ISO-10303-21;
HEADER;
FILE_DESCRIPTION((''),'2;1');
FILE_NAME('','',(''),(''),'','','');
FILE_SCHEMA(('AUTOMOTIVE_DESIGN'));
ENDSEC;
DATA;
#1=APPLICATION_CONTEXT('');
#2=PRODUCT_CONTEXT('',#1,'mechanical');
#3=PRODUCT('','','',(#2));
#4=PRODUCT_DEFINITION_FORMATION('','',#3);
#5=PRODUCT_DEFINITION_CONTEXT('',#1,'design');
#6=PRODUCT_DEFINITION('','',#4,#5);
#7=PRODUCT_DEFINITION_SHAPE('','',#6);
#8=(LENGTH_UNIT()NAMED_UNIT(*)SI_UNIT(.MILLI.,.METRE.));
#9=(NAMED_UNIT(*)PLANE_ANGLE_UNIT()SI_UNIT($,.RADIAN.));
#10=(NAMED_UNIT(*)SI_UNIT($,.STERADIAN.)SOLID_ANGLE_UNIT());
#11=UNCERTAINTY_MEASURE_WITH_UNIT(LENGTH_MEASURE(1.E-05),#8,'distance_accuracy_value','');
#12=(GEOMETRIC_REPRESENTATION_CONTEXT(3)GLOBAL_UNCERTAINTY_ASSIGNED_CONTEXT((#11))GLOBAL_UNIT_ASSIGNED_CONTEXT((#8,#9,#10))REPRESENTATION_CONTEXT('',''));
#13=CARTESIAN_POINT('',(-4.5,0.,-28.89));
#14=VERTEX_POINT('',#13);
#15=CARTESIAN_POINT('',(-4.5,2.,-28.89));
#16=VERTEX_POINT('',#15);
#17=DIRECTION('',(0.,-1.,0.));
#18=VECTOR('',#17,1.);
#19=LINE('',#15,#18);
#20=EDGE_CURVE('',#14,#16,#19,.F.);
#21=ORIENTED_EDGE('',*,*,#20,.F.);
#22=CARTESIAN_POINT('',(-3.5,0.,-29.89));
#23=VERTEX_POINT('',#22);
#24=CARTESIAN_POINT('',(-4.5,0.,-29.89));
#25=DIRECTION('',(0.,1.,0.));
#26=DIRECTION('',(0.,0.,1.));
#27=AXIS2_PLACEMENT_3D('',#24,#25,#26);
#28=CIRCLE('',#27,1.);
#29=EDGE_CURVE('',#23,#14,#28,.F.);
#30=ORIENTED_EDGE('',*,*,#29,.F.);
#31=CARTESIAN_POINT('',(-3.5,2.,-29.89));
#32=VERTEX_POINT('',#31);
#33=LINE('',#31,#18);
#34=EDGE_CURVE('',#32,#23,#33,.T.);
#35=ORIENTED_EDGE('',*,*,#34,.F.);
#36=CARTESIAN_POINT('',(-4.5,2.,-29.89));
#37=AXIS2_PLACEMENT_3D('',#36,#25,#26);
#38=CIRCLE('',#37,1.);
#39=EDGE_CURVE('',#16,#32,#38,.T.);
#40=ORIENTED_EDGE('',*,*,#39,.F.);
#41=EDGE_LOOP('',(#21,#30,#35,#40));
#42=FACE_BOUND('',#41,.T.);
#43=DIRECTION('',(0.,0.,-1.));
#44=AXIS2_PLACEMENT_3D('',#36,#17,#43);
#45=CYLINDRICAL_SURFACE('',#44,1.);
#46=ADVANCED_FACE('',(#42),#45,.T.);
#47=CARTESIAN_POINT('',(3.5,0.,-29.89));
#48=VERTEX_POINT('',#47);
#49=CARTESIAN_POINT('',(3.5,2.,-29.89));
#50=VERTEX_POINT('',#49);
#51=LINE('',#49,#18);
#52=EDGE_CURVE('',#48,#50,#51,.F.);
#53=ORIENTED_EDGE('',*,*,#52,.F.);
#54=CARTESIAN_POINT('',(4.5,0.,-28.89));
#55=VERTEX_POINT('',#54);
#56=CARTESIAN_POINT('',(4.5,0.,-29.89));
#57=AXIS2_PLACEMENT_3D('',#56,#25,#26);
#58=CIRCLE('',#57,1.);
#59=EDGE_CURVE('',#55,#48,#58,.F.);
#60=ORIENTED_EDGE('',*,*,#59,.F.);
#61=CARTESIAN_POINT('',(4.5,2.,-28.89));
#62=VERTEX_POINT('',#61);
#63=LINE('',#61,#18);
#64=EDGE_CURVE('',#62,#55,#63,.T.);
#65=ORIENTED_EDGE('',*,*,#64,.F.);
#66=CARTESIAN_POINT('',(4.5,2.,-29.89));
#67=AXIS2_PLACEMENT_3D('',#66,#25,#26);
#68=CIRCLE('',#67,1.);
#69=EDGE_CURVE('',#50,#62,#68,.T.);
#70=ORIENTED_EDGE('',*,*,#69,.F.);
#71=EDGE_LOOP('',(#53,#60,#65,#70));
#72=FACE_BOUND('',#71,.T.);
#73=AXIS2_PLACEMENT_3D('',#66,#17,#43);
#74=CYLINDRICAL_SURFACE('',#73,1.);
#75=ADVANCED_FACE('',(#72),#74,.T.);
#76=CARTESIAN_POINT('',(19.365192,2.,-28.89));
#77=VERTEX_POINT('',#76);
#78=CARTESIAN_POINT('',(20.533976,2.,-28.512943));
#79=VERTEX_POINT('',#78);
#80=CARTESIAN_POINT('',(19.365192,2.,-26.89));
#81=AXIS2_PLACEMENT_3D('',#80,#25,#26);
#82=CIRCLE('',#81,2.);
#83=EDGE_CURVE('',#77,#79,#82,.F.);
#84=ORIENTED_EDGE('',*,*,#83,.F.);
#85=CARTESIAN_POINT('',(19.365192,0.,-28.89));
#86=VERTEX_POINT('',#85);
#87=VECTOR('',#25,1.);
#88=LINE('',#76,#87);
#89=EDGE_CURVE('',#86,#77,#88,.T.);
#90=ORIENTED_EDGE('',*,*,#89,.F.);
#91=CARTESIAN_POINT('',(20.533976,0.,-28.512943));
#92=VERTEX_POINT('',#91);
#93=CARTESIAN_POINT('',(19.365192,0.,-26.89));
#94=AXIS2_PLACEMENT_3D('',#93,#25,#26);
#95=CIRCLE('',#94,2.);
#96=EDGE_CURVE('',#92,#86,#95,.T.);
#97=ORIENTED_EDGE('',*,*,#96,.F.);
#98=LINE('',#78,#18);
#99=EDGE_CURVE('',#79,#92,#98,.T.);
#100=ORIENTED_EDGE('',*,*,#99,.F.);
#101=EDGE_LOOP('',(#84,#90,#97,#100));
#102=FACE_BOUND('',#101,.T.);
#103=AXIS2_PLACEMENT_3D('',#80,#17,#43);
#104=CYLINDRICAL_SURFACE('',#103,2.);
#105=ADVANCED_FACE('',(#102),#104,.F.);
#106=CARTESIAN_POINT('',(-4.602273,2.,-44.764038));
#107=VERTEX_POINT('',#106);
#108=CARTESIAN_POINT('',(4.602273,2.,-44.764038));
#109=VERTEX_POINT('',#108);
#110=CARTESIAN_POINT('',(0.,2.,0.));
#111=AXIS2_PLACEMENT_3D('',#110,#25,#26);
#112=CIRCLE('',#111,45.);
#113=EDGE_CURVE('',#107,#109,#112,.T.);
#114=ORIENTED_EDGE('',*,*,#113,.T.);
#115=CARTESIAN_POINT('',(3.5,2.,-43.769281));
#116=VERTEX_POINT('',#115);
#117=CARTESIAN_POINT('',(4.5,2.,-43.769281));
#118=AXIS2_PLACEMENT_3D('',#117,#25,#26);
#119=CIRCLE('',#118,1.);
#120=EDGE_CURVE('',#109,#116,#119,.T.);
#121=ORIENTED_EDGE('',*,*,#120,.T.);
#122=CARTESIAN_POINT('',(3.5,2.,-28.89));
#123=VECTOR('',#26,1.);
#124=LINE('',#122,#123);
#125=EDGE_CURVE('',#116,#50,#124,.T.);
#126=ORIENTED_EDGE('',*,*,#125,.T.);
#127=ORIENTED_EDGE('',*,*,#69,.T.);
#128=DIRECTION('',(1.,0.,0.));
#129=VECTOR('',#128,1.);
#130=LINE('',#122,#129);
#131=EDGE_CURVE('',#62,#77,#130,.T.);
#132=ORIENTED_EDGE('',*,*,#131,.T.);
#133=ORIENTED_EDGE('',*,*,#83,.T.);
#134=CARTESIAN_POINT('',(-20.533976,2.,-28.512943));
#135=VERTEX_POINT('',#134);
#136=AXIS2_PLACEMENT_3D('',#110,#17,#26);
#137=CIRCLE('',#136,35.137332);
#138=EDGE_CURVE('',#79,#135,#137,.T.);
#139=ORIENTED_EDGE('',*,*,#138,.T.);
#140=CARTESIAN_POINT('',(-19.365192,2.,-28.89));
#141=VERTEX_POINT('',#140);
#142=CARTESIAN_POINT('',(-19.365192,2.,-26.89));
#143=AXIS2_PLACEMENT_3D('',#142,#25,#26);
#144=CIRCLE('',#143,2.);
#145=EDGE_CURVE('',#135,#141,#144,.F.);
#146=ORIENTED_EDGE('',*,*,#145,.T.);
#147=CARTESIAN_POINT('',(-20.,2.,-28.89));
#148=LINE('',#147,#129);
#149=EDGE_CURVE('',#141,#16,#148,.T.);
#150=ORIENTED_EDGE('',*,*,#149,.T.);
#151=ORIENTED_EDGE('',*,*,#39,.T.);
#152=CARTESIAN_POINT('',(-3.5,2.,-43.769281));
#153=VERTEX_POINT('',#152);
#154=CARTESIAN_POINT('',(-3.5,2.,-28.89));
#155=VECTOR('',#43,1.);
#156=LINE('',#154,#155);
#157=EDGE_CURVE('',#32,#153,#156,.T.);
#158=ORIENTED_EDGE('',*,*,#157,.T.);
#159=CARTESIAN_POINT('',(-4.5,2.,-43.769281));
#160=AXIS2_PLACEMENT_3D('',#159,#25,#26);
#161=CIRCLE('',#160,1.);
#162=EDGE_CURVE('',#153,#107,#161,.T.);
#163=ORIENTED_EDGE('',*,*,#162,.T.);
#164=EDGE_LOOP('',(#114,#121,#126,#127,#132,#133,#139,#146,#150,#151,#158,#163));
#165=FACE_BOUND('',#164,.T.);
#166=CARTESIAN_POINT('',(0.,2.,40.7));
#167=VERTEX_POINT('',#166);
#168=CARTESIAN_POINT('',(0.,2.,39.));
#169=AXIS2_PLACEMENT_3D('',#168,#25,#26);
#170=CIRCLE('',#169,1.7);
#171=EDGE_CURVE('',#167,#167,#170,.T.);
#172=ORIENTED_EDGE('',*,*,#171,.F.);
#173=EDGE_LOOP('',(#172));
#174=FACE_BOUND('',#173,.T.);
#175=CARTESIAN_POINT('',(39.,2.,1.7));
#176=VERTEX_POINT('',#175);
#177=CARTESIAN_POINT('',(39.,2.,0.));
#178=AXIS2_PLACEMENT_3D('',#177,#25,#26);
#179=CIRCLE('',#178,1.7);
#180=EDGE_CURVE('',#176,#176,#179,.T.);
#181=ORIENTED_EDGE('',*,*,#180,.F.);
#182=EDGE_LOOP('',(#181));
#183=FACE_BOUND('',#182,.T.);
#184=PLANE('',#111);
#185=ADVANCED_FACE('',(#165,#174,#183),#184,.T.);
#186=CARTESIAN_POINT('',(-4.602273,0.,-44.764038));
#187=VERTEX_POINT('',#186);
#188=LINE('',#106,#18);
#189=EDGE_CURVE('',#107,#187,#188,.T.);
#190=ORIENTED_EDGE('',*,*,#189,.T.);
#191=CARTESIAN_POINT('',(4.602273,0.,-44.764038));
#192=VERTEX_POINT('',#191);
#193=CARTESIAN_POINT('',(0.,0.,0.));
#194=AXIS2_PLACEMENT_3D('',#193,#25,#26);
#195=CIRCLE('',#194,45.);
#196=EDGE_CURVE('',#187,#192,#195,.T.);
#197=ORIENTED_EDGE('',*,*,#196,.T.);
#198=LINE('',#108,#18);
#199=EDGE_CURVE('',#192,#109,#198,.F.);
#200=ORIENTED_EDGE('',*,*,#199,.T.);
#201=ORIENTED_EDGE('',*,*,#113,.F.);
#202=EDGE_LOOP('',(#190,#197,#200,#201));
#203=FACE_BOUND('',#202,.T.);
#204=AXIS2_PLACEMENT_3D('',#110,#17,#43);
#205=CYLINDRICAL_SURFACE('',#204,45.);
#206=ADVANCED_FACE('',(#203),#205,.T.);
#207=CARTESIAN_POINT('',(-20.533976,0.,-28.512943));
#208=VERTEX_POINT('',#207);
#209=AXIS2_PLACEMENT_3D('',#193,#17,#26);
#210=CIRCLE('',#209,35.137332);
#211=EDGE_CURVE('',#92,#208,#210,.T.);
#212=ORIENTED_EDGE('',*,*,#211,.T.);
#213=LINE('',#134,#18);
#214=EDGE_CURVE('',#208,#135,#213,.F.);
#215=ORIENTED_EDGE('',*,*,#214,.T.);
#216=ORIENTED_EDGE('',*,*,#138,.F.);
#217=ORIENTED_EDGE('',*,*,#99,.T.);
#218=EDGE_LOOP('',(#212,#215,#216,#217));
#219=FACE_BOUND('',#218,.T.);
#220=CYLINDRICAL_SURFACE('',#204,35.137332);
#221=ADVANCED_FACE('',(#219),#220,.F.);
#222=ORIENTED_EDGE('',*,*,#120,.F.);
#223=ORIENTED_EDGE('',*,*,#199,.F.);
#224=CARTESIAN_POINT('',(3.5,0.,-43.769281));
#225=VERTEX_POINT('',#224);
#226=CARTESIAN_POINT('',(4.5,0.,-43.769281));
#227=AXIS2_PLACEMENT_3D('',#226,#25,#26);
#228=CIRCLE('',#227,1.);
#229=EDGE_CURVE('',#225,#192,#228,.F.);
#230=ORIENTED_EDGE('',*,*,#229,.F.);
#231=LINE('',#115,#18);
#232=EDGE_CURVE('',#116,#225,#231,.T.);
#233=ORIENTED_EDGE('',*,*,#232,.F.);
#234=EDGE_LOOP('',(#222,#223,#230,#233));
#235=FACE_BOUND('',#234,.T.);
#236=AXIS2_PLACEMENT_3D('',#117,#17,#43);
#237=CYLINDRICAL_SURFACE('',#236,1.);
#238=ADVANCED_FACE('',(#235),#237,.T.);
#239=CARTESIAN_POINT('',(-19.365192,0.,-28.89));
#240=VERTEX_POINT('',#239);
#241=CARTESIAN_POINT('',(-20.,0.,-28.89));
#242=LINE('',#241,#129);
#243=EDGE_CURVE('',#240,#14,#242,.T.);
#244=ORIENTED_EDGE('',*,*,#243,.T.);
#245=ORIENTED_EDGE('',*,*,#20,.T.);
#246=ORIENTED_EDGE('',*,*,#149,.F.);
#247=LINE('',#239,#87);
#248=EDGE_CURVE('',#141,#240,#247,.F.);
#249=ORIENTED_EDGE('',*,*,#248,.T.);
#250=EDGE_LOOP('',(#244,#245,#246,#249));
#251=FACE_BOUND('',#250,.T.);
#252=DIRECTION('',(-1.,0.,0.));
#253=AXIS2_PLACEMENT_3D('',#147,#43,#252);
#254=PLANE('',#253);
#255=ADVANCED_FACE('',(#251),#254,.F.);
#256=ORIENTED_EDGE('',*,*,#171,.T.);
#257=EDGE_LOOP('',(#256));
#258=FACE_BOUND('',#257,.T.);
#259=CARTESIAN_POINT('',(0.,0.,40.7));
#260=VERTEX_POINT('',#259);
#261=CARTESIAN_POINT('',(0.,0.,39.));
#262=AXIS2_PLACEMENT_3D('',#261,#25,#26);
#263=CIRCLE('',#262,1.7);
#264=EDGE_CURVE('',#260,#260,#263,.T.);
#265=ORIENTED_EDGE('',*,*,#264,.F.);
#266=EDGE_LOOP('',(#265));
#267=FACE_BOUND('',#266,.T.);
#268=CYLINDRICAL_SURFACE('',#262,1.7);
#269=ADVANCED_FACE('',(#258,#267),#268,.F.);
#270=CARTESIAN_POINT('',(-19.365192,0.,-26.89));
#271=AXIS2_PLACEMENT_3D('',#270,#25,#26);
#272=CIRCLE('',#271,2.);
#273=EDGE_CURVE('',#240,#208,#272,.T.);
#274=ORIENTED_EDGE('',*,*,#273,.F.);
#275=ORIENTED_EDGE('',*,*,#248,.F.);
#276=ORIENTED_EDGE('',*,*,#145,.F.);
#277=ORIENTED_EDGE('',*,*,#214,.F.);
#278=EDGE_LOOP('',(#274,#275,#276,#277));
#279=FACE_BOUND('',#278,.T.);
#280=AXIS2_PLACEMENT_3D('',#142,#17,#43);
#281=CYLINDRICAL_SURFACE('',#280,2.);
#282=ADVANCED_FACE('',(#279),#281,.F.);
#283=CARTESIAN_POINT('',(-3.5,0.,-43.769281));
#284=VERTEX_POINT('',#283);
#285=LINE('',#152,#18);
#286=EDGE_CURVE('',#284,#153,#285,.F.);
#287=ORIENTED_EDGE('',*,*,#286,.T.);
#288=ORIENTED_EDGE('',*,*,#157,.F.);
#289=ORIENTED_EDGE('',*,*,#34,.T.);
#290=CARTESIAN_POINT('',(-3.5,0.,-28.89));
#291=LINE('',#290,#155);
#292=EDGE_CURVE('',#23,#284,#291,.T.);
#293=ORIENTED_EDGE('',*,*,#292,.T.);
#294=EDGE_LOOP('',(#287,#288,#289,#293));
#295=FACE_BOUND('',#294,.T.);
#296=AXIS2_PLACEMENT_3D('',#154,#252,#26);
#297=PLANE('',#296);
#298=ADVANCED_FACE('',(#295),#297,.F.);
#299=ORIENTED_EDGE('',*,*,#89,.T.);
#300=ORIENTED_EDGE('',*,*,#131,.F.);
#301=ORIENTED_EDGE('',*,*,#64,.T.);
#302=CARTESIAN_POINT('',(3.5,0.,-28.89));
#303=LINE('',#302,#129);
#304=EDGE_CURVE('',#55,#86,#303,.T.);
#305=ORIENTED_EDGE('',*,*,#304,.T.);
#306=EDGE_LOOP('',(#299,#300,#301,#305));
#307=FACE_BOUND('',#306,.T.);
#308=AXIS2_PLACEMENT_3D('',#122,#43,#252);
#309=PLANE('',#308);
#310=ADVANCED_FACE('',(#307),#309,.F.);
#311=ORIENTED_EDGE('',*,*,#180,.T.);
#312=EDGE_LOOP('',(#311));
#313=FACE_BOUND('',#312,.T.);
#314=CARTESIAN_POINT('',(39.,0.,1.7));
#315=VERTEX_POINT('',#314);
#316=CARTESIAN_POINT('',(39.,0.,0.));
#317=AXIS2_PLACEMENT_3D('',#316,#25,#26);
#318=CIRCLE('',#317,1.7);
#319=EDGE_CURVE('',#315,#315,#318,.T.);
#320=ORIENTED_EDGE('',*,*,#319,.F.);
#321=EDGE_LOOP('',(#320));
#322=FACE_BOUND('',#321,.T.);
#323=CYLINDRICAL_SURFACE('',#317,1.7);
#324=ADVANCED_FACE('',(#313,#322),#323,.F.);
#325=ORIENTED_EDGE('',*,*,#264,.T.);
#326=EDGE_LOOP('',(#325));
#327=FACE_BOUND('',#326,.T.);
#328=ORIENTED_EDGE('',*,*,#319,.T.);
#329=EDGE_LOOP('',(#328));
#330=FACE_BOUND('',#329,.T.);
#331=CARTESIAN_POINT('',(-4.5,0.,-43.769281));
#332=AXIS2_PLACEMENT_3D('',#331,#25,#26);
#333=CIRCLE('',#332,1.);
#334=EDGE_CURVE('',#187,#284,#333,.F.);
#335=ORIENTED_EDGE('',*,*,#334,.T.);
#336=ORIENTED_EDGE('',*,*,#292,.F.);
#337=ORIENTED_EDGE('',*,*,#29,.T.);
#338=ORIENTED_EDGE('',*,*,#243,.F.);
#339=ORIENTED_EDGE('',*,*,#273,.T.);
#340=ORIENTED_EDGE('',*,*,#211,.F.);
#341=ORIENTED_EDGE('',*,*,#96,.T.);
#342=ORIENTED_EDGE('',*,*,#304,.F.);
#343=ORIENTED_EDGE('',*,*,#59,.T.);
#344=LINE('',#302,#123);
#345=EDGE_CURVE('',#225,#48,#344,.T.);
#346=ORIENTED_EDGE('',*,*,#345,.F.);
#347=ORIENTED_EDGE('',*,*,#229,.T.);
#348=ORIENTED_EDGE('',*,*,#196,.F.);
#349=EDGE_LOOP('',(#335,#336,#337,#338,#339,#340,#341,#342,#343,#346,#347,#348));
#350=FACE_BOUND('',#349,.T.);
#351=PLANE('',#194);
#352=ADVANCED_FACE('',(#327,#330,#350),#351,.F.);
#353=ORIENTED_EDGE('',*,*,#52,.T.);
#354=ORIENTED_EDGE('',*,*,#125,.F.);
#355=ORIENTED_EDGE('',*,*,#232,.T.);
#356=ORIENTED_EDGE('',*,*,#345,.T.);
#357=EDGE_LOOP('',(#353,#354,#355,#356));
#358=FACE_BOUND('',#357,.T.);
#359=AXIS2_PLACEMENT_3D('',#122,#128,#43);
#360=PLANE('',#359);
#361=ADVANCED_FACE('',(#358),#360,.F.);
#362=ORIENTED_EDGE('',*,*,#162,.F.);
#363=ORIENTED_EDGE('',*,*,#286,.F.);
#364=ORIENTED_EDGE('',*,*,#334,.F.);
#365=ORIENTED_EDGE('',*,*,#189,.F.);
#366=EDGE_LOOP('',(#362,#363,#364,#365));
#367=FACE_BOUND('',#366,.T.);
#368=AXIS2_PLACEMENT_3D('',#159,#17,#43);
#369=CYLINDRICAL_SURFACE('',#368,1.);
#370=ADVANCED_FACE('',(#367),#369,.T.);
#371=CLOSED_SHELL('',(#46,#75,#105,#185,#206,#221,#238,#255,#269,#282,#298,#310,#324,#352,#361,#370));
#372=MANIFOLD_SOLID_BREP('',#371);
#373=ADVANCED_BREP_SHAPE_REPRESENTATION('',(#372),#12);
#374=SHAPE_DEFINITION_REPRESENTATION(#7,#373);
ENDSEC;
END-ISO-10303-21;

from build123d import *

# Parameters (mm, degrees)
BOSS_EXTRU_1_DEPTH      = 2
ESQUISSE2_R             = 1.7
ENL_V_MAT_EXTRU_1_DEPTH = 3
CONG_1_R                = 1
CONG_2_R                = 2


with BuildPart() as part:
    # Esquisse1 → Boss.-Extru.1 (new body)
    with BuildSketch(Plane(origin=(0, 0, 0), x_dir=(1, 0, 0), z_dir=(0, 1, 0))):
        with BuildLine():
            Line((-3.5, 28.89), (-3.5, 44.863682417))
            ThreePointArc((-3.5, 44.863682417), (0, -45), (3.5, 44.863682417))
            Line((3.5, 44.863682417), (3.5, 28.89))
            Line((3.5, 28.89), (20, 28.89))
            ThreePointArc((20, 28.89), (0, -35.137331999), (-20, 28.89))
            Line((-20, 28.89), (-3.5, 28.89))
        make_face()
    extrude(amount=BOSS_EXTRU_1_DEPTH)

    # Esquisse2 → Enlèv. mat.-Extru.1 (cut, through all)
    with BuildSketch(Plane(origin=(0, 2, 0), x_dir=(1, 0, 0), z_dir=(0, 1, 0))):
        with Locations((39, 0)):
            Circle(ESQUISSE2_R)
        with Locations((0, -39)):
            Circle(ESQUISSE2_R)
    extrude(amount=-ENL_V_MAT_EXTRU_1_DEPTH, mode=Mode.SUBTRACT)

    # Congé1
    cong_1_edges = [part.edges().sort_by_distance(p)[0] for p in [
        (-3.5, 1, -44.863682417),
        (-3.5, 1, -28.89),
        (3.5, 1, -28.89),
        (3.5, 1, -44.863682417),
    ]]
    fillet(cong_1_edges, radius=CONG_1_R)

    # Congé2
    cong_2_edges = [part.edges().sort_by_distance(p)[0] for p in [
        (-20, 1, -28.89),
        (20, 1, -28.89),
    ]]
    fillet(cong_2_edges, radius=CONG_2_R)


solid = part.part
